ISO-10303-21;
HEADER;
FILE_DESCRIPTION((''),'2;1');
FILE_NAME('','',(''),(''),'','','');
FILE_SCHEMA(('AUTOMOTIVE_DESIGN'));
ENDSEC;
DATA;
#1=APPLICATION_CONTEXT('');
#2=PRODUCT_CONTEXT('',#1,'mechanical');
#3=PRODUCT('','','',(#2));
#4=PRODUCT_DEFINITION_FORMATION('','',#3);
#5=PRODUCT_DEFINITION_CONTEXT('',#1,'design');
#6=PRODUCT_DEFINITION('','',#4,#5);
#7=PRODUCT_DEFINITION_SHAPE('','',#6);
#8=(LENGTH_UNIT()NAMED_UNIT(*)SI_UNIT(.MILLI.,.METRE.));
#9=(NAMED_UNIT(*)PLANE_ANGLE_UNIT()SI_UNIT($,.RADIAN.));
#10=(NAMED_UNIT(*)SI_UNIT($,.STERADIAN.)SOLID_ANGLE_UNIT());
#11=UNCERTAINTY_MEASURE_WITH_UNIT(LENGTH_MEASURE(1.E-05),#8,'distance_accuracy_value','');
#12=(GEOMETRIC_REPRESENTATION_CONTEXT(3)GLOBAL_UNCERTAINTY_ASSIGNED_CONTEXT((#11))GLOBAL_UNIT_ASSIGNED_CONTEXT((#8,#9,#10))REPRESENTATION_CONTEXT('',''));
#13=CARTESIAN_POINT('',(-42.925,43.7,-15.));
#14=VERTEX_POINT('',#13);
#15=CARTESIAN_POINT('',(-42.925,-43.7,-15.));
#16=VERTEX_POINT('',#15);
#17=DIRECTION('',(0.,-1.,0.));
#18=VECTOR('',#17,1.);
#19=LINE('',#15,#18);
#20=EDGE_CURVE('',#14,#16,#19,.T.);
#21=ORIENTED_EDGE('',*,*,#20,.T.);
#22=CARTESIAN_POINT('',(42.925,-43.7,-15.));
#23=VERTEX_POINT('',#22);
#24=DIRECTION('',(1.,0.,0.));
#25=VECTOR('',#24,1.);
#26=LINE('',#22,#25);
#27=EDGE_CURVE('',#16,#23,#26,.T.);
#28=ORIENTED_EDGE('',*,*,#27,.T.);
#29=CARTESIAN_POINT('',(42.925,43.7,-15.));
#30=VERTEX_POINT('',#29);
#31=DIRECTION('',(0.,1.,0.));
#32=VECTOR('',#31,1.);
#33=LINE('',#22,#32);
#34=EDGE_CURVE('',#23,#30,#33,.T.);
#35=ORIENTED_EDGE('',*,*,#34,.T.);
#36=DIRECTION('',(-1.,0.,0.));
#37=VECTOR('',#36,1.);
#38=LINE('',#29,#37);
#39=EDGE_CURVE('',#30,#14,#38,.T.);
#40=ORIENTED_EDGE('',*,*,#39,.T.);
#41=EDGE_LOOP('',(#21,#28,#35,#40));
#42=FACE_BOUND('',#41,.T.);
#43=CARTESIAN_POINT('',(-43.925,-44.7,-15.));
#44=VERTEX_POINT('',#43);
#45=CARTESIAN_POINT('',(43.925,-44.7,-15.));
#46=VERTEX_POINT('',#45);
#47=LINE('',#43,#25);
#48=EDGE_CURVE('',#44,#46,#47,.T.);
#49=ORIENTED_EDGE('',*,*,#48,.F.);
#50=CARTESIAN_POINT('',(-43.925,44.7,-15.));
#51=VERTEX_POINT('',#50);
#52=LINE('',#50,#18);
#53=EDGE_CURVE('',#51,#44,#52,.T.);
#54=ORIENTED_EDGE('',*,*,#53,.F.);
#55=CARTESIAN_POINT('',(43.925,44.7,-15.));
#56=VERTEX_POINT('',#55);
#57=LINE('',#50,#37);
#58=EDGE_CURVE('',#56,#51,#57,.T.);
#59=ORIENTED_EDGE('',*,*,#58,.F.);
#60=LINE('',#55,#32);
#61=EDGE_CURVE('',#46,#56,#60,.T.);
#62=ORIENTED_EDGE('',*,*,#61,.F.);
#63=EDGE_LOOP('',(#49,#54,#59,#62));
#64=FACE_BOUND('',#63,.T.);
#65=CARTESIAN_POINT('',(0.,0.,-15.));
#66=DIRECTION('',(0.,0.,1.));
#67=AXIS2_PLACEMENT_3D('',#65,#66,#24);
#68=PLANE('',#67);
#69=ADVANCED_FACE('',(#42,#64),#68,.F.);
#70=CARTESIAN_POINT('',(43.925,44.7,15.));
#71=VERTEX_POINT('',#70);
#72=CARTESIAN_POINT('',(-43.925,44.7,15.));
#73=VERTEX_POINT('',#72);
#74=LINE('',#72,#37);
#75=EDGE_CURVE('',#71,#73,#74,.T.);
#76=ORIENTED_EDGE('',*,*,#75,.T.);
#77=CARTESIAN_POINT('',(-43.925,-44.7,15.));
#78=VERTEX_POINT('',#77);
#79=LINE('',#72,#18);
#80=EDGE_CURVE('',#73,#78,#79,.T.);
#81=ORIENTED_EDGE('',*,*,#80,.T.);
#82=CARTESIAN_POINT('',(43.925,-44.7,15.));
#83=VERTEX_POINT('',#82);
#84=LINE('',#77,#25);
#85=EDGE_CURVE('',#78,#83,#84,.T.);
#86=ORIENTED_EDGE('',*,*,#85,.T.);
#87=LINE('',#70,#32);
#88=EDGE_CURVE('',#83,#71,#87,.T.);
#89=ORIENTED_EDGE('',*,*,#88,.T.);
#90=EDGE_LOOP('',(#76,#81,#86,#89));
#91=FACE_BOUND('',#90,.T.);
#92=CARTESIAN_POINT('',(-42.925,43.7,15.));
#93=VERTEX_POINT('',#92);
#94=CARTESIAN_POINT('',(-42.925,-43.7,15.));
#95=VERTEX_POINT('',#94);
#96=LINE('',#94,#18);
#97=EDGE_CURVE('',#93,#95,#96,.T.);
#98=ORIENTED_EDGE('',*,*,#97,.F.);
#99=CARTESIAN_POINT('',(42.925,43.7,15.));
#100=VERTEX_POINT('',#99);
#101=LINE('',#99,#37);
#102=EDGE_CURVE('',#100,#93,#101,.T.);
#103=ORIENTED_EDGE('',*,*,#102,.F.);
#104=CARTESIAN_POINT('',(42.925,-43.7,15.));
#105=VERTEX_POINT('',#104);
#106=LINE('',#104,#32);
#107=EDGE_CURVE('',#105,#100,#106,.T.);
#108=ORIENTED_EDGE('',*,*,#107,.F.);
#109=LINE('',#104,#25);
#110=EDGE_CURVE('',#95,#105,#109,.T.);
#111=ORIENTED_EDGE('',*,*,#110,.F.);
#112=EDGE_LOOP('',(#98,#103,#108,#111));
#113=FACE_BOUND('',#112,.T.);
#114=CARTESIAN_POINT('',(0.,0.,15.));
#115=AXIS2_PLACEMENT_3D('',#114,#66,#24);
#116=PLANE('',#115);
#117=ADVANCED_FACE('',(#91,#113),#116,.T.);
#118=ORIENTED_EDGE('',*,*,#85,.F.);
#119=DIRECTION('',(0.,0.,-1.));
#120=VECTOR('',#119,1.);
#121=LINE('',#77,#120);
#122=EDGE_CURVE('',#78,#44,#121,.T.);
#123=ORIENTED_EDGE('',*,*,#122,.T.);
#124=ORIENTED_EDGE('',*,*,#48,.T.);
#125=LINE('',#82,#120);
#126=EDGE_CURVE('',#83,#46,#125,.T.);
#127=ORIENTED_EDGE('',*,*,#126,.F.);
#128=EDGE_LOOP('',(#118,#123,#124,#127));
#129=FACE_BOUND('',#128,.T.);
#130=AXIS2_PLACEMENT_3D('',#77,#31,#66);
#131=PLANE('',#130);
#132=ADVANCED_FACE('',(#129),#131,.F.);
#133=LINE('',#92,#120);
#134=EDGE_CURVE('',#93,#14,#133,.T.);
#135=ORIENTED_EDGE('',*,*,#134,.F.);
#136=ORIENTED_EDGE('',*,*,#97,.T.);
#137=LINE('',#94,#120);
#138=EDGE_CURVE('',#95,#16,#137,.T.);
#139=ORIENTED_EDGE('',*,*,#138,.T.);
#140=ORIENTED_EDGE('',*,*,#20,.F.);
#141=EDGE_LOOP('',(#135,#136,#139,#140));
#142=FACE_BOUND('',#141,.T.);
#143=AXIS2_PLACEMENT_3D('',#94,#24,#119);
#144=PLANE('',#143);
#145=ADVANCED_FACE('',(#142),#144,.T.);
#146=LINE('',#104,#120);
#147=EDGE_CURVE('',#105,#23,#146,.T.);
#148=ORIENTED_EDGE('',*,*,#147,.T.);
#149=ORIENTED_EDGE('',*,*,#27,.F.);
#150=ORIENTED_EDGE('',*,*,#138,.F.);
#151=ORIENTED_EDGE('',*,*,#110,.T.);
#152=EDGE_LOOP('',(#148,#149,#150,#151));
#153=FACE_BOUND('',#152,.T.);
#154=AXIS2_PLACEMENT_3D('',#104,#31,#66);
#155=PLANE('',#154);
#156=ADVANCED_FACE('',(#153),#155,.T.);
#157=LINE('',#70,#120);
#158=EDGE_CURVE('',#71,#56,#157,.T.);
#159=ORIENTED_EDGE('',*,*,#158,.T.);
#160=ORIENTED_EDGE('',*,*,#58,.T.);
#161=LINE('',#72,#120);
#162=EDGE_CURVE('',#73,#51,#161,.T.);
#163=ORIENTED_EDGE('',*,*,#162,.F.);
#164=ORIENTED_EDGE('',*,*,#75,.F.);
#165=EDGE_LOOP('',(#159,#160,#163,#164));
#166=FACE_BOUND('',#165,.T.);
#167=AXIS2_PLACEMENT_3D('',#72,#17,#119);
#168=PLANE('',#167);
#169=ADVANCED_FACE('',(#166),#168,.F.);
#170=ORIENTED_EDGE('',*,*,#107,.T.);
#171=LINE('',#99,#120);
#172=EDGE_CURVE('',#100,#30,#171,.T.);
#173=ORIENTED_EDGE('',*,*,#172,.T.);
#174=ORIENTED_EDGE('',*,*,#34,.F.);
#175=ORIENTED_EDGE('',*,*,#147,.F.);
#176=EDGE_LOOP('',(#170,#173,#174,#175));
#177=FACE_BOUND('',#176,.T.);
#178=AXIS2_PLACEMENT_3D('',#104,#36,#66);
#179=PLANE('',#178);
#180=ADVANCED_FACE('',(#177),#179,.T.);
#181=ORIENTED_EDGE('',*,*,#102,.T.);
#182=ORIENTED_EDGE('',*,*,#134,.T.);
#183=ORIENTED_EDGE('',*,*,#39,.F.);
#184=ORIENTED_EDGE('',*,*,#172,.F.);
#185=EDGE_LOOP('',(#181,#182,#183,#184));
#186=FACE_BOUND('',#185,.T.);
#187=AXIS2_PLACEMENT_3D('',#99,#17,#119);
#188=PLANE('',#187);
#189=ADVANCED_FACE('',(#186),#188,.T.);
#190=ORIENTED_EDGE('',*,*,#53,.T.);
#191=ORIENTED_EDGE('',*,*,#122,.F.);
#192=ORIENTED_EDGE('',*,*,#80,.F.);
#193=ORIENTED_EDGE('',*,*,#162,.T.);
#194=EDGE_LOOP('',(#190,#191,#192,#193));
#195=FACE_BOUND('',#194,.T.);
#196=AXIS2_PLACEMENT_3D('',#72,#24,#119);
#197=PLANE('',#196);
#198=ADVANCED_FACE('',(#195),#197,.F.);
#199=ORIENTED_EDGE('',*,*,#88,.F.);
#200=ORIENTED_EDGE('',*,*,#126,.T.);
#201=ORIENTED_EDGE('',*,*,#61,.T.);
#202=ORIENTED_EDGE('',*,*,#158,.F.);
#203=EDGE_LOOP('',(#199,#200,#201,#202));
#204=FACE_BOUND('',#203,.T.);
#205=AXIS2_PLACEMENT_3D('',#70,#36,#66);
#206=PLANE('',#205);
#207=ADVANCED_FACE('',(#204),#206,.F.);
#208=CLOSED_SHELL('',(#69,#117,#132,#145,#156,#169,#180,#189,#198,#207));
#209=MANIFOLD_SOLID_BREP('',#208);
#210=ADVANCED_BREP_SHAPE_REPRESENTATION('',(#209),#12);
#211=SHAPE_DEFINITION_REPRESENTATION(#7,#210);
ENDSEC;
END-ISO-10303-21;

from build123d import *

# Parameters (mm, degrees)
SKETCH1_W           = 87.85
SKETCH1_H           = 89.4
SKETCH1_W_2         = 85.85
SKETCH1_H_2         = 87.4
BOSS_EXTRUDE1_DEPTH = 15


with BuildPart() as part:
    # Sketch1 → Boss-Extrude1 (new, symmetric)
    with BuildSketch(Plane.XY):
        Rectangle(SKETCH1_W, SKETCH1_H)
        Rectangle(SKETCH1_W_2, SKETCH1_H_2, mode=Mode.SUBTRACT)
    extrude(amount=BOSS_EXTRUDE1_DEPTH, both=True)


solid = part.part
